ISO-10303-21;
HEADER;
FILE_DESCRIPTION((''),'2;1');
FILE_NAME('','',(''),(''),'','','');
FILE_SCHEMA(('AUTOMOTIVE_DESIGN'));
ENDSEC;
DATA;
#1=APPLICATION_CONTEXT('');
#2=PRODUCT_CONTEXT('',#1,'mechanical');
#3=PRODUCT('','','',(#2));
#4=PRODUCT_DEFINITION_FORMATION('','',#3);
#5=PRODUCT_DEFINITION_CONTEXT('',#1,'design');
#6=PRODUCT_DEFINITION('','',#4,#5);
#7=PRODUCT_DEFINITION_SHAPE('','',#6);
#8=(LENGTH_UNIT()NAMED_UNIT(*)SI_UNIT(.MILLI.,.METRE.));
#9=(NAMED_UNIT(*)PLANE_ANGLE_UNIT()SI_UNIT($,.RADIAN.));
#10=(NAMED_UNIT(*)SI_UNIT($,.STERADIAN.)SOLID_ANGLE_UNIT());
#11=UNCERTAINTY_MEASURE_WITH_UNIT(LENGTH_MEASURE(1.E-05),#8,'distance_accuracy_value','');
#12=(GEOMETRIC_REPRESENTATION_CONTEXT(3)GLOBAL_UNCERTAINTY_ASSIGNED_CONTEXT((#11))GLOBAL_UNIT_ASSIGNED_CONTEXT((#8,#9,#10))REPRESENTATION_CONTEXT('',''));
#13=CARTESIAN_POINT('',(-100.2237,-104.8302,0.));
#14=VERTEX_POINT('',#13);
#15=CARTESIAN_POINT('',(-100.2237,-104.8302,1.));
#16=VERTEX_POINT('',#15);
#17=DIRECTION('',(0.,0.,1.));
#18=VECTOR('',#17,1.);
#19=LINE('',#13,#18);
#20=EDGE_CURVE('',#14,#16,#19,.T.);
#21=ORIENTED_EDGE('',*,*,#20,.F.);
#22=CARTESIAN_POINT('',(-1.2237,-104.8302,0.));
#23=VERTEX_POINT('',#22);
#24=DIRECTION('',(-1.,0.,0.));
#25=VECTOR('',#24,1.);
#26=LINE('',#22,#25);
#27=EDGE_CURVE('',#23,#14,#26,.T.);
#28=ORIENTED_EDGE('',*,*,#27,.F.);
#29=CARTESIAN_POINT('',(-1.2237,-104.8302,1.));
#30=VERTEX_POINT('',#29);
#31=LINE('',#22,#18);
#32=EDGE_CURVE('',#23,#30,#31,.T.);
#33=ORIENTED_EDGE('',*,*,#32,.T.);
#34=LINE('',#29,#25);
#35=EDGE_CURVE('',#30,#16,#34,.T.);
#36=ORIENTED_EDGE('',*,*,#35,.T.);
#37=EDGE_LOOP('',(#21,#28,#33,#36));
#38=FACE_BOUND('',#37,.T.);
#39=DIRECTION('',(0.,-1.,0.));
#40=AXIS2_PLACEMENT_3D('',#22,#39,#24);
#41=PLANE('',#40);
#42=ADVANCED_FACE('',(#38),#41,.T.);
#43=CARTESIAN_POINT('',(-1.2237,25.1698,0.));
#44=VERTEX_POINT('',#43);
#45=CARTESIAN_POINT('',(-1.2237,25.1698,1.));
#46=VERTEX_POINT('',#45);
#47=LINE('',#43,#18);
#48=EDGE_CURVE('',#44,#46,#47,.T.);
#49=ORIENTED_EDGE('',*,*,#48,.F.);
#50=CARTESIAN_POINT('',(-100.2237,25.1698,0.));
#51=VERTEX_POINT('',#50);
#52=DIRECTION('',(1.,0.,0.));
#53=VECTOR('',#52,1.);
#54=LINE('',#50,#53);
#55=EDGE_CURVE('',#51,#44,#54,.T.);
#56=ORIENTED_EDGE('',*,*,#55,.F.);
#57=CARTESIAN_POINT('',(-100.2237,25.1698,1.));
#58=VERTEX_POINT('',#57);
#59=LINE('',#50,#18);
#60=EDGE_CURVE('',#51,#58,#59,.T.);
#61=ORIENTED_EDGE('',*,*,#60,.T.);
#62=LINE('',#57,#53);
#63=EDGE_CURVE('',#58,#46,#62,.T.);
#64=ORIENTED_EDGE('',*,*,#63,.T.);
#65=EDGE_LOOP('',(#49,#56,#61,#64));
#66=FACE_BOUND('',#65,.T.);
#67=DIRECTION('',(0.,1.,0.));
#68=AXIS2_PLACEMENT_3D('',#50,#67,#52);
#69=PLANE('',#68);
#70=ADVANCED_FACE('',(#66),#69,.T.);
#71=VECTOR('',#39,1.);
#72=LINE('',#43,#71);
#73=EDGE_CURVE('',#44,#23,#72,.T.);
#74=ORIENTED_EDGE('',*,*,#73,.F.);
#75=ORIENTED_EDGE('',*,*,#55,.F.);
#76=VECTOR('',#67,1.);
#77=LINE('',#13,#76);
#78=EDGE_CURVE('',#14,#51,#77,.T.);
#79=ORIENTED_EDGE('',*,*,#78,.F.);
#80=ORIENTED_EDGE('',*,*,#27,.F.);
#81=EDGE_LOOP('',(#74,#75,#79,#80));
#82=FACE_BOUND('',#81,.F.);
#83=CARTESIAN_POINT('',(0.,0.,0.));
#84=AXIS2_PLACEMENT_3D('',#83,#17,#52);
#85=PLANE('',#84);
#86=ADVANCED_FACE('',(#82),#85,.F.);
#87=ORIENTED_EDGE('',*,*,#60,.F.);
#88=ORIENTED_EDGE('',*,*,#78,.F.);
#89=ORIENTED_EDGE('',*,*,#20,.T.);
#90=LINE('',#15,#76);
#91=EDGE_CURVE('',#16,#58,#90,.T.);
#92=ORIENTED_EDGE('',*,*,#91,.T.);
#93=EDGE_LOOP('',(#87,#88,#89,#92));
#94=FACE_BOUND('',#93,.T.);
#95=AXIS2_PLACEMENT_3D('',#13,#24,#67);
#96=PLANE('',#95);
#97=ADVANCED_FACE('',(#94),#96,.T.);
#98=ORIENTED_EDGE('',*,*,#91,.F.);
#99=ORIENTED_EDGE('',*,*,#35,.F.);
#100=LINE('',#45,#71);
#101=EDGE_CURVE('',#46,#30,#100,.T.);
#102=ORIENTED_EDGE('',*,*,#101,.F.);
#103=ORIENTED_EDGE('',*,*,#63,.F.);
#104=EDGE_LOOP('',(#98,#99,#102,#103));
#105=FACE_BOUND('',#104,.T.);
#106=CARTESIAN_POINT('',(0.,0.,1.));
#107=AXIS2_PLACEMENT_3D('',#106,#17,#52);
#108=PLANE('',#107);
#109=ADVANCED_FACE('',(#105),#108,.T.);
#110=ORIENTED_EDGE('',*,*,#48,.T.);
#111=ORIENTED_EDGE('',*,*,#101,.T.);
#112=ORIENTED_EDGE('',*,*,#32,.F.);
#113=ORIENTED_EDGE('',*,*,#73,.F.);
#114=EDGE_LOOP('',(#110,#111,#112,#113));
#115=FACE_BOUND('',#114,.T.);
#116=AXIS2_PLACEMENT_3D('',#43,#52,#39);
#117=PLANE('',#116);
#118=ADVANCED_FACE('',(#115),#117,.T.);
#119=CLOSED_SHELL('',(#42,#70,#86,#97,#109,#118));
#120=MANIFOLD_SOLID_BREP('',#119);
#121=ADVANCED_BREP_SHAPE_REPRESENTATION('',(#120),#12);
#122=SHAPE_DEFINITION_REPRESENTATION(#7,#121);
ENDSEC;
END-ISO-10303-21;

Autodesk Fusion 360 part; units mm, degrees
sketch "Boceto1" plane through (0, 0, 0) normal (0, 0, 1) x (1, 0, 0)
  line L0 (-100.2237, 25.1698) -> (-1.2237, 25.1698)
  line L1 (-1.2237, 25.1698) -> (-1.2237, -104.8302)
  line L2 (-1.2237, -104.8302) -> (-100.2237, -104.8302)
  line L3 (-100.2237, -104.8302) -> (-100.2237, 25.1698)
  dimension "d1" = 99
  dimension "d2" = 130
extrude "Extruir1" add sketch "Boceto1" along normal blind 1
